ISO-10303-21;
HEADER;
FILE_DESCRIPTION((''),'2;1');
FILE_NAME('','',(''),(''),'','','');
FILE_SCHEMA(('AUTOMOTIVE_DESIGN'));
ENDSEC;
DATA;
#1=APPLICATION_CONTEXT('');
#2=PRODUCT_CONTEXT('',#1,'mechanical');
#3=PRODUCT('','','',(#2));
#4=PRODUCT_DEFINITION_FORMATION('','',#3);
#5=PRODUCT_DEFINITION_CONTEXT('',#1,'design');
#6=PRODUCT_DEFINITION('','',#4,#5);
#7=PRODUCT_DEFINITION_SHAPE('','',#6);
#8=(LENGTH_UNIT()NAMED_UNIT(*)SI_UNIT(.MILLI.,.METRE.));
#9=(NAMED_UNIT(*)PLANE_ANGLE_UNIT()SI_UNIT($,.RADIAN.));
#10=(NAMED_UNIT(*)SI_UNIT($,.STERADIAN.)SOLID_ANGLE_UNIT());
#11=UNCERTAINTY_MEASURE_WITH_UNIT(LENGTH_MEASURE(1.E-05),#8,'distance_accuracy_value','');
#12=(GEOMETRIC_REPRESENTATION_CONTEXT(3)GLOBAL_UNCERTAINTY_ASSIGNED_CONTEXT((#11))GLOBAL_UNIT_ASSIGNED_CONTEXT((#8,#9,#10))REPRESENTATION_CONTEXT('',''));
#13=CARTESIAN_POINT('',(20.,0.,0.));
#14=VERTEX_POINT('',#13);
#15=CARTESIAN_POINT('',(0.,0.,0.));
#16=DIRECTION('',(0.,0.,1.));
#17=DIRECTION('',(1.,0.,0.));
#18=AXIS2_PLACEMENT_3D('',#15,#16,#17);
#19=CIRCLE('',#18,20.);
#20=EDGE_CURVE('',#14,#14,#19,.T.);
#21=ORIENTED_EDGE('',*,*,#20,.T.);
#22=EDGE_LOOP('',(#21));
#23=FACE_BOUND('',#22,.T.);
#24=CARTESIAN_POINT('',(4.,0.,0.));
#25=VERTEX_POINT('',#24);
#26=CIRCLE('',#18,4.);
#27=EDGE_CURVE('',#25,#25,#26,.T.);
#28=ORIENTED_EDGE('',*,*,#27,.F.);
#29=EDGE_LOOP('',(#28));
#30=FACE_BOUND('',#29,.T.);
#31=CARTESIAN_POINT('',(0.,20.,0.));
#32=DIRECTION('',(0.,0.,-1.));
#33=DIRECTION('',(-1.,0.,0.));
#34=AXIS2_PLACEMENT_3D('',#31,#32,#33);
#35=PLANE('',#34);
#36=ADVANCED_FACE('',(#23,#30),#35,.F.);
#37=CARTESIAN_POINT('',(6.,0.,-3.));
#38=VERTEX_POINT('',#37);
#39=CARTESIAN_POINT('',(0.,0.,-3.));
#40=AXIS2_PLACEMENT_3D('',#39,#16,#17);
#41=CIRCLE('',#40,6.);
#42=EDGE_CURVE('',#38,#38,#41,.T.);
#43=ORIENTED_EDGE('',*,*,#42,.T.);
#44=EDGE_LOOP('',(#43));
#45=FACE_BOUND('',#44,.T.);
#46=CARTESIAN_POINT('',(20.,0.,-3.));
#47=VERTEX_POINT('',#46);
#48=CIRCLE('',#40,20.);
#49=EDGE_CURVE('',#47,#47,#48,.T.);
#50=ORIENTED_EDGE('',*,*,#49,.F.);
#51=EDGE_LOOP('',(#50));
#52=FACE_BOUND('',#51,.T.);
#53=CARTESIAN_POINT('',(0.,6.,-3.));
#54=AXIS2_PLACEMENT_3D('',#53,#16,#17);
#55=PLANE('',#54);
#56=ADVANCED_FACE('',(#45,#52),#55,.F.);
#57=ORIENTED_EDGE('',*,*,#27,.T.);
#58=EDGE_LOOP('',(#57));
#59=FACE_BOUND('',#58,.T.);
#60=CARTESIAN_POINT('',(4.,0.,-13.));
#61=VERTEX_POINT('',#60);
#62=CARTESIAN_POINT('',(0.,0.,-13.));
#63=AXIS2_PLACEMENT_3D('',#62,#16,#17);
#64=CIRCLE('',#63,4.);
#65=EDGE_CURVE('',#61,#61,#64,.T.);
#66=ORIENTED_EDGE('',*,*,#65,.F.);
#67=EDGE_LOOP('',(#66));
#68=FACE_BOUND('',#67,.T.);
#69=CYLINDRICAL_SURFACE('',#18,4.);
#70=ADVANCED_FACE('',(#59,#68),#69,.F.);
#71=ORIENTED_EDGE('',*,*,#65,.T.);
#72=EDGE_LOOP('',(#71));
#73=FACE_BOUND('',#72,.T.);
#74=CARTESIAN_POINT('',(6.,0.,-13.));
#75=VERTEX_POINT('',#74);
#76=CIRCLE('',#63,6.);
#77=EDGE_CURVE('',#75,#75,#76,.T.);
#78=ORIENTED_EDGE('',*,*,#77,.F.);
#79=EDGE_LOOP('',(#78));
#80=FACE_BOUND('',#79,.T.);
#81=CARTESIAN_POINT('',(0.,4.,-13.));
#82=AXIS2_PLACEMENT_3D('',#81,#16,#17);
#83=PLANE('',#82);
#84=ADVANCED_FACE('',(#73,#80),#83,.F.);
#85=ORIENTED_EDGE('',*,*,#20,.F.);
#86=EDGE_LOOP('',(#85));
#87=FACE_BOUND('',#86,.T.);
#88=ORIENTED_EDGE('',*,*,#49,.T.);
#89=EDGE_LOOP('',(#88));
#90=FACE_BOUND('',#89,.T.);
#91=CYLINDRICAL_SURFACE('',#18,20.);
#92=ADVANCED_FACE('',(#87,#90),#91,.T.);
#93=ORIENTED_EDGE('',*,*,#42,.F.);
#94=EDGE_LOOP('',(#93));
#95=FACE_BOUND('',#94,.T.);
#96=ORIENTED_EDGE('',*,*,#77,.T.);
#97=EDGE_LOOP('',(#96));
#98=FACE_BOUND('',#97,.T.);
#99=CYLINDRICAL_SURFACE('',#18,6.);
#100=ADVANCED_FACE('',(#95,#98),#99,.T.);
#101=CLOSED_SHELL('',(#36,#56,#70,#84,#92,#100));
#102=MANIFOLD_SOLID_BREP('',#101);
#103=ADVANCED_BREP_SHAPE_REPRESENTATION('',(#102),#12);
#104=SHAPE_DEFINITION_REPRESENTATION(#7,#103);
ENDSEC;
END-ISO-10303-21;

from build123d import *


with BuildPart() as part:
    # Sketch1 → Revolve1 (revolve)
    with BuildSketch(Plane(origin=(0, 0, 0), x_dir=(0, 0, -1), z_dir=(1, 0, 0)), mode=Mode.PRIVATE) as revolve1_sk:
        Polygon((0, 4), (13, 4), (13, 6), (3, 6), (3, 20), (0, 20), align=None)
    revolve(revolve1_sk.sketch.rotate(Axis((0, 0, 0), (0, 0, -1)), 90), axis=Axis((0, 0, 0), (0, 0, -1)))


solid = part.part
